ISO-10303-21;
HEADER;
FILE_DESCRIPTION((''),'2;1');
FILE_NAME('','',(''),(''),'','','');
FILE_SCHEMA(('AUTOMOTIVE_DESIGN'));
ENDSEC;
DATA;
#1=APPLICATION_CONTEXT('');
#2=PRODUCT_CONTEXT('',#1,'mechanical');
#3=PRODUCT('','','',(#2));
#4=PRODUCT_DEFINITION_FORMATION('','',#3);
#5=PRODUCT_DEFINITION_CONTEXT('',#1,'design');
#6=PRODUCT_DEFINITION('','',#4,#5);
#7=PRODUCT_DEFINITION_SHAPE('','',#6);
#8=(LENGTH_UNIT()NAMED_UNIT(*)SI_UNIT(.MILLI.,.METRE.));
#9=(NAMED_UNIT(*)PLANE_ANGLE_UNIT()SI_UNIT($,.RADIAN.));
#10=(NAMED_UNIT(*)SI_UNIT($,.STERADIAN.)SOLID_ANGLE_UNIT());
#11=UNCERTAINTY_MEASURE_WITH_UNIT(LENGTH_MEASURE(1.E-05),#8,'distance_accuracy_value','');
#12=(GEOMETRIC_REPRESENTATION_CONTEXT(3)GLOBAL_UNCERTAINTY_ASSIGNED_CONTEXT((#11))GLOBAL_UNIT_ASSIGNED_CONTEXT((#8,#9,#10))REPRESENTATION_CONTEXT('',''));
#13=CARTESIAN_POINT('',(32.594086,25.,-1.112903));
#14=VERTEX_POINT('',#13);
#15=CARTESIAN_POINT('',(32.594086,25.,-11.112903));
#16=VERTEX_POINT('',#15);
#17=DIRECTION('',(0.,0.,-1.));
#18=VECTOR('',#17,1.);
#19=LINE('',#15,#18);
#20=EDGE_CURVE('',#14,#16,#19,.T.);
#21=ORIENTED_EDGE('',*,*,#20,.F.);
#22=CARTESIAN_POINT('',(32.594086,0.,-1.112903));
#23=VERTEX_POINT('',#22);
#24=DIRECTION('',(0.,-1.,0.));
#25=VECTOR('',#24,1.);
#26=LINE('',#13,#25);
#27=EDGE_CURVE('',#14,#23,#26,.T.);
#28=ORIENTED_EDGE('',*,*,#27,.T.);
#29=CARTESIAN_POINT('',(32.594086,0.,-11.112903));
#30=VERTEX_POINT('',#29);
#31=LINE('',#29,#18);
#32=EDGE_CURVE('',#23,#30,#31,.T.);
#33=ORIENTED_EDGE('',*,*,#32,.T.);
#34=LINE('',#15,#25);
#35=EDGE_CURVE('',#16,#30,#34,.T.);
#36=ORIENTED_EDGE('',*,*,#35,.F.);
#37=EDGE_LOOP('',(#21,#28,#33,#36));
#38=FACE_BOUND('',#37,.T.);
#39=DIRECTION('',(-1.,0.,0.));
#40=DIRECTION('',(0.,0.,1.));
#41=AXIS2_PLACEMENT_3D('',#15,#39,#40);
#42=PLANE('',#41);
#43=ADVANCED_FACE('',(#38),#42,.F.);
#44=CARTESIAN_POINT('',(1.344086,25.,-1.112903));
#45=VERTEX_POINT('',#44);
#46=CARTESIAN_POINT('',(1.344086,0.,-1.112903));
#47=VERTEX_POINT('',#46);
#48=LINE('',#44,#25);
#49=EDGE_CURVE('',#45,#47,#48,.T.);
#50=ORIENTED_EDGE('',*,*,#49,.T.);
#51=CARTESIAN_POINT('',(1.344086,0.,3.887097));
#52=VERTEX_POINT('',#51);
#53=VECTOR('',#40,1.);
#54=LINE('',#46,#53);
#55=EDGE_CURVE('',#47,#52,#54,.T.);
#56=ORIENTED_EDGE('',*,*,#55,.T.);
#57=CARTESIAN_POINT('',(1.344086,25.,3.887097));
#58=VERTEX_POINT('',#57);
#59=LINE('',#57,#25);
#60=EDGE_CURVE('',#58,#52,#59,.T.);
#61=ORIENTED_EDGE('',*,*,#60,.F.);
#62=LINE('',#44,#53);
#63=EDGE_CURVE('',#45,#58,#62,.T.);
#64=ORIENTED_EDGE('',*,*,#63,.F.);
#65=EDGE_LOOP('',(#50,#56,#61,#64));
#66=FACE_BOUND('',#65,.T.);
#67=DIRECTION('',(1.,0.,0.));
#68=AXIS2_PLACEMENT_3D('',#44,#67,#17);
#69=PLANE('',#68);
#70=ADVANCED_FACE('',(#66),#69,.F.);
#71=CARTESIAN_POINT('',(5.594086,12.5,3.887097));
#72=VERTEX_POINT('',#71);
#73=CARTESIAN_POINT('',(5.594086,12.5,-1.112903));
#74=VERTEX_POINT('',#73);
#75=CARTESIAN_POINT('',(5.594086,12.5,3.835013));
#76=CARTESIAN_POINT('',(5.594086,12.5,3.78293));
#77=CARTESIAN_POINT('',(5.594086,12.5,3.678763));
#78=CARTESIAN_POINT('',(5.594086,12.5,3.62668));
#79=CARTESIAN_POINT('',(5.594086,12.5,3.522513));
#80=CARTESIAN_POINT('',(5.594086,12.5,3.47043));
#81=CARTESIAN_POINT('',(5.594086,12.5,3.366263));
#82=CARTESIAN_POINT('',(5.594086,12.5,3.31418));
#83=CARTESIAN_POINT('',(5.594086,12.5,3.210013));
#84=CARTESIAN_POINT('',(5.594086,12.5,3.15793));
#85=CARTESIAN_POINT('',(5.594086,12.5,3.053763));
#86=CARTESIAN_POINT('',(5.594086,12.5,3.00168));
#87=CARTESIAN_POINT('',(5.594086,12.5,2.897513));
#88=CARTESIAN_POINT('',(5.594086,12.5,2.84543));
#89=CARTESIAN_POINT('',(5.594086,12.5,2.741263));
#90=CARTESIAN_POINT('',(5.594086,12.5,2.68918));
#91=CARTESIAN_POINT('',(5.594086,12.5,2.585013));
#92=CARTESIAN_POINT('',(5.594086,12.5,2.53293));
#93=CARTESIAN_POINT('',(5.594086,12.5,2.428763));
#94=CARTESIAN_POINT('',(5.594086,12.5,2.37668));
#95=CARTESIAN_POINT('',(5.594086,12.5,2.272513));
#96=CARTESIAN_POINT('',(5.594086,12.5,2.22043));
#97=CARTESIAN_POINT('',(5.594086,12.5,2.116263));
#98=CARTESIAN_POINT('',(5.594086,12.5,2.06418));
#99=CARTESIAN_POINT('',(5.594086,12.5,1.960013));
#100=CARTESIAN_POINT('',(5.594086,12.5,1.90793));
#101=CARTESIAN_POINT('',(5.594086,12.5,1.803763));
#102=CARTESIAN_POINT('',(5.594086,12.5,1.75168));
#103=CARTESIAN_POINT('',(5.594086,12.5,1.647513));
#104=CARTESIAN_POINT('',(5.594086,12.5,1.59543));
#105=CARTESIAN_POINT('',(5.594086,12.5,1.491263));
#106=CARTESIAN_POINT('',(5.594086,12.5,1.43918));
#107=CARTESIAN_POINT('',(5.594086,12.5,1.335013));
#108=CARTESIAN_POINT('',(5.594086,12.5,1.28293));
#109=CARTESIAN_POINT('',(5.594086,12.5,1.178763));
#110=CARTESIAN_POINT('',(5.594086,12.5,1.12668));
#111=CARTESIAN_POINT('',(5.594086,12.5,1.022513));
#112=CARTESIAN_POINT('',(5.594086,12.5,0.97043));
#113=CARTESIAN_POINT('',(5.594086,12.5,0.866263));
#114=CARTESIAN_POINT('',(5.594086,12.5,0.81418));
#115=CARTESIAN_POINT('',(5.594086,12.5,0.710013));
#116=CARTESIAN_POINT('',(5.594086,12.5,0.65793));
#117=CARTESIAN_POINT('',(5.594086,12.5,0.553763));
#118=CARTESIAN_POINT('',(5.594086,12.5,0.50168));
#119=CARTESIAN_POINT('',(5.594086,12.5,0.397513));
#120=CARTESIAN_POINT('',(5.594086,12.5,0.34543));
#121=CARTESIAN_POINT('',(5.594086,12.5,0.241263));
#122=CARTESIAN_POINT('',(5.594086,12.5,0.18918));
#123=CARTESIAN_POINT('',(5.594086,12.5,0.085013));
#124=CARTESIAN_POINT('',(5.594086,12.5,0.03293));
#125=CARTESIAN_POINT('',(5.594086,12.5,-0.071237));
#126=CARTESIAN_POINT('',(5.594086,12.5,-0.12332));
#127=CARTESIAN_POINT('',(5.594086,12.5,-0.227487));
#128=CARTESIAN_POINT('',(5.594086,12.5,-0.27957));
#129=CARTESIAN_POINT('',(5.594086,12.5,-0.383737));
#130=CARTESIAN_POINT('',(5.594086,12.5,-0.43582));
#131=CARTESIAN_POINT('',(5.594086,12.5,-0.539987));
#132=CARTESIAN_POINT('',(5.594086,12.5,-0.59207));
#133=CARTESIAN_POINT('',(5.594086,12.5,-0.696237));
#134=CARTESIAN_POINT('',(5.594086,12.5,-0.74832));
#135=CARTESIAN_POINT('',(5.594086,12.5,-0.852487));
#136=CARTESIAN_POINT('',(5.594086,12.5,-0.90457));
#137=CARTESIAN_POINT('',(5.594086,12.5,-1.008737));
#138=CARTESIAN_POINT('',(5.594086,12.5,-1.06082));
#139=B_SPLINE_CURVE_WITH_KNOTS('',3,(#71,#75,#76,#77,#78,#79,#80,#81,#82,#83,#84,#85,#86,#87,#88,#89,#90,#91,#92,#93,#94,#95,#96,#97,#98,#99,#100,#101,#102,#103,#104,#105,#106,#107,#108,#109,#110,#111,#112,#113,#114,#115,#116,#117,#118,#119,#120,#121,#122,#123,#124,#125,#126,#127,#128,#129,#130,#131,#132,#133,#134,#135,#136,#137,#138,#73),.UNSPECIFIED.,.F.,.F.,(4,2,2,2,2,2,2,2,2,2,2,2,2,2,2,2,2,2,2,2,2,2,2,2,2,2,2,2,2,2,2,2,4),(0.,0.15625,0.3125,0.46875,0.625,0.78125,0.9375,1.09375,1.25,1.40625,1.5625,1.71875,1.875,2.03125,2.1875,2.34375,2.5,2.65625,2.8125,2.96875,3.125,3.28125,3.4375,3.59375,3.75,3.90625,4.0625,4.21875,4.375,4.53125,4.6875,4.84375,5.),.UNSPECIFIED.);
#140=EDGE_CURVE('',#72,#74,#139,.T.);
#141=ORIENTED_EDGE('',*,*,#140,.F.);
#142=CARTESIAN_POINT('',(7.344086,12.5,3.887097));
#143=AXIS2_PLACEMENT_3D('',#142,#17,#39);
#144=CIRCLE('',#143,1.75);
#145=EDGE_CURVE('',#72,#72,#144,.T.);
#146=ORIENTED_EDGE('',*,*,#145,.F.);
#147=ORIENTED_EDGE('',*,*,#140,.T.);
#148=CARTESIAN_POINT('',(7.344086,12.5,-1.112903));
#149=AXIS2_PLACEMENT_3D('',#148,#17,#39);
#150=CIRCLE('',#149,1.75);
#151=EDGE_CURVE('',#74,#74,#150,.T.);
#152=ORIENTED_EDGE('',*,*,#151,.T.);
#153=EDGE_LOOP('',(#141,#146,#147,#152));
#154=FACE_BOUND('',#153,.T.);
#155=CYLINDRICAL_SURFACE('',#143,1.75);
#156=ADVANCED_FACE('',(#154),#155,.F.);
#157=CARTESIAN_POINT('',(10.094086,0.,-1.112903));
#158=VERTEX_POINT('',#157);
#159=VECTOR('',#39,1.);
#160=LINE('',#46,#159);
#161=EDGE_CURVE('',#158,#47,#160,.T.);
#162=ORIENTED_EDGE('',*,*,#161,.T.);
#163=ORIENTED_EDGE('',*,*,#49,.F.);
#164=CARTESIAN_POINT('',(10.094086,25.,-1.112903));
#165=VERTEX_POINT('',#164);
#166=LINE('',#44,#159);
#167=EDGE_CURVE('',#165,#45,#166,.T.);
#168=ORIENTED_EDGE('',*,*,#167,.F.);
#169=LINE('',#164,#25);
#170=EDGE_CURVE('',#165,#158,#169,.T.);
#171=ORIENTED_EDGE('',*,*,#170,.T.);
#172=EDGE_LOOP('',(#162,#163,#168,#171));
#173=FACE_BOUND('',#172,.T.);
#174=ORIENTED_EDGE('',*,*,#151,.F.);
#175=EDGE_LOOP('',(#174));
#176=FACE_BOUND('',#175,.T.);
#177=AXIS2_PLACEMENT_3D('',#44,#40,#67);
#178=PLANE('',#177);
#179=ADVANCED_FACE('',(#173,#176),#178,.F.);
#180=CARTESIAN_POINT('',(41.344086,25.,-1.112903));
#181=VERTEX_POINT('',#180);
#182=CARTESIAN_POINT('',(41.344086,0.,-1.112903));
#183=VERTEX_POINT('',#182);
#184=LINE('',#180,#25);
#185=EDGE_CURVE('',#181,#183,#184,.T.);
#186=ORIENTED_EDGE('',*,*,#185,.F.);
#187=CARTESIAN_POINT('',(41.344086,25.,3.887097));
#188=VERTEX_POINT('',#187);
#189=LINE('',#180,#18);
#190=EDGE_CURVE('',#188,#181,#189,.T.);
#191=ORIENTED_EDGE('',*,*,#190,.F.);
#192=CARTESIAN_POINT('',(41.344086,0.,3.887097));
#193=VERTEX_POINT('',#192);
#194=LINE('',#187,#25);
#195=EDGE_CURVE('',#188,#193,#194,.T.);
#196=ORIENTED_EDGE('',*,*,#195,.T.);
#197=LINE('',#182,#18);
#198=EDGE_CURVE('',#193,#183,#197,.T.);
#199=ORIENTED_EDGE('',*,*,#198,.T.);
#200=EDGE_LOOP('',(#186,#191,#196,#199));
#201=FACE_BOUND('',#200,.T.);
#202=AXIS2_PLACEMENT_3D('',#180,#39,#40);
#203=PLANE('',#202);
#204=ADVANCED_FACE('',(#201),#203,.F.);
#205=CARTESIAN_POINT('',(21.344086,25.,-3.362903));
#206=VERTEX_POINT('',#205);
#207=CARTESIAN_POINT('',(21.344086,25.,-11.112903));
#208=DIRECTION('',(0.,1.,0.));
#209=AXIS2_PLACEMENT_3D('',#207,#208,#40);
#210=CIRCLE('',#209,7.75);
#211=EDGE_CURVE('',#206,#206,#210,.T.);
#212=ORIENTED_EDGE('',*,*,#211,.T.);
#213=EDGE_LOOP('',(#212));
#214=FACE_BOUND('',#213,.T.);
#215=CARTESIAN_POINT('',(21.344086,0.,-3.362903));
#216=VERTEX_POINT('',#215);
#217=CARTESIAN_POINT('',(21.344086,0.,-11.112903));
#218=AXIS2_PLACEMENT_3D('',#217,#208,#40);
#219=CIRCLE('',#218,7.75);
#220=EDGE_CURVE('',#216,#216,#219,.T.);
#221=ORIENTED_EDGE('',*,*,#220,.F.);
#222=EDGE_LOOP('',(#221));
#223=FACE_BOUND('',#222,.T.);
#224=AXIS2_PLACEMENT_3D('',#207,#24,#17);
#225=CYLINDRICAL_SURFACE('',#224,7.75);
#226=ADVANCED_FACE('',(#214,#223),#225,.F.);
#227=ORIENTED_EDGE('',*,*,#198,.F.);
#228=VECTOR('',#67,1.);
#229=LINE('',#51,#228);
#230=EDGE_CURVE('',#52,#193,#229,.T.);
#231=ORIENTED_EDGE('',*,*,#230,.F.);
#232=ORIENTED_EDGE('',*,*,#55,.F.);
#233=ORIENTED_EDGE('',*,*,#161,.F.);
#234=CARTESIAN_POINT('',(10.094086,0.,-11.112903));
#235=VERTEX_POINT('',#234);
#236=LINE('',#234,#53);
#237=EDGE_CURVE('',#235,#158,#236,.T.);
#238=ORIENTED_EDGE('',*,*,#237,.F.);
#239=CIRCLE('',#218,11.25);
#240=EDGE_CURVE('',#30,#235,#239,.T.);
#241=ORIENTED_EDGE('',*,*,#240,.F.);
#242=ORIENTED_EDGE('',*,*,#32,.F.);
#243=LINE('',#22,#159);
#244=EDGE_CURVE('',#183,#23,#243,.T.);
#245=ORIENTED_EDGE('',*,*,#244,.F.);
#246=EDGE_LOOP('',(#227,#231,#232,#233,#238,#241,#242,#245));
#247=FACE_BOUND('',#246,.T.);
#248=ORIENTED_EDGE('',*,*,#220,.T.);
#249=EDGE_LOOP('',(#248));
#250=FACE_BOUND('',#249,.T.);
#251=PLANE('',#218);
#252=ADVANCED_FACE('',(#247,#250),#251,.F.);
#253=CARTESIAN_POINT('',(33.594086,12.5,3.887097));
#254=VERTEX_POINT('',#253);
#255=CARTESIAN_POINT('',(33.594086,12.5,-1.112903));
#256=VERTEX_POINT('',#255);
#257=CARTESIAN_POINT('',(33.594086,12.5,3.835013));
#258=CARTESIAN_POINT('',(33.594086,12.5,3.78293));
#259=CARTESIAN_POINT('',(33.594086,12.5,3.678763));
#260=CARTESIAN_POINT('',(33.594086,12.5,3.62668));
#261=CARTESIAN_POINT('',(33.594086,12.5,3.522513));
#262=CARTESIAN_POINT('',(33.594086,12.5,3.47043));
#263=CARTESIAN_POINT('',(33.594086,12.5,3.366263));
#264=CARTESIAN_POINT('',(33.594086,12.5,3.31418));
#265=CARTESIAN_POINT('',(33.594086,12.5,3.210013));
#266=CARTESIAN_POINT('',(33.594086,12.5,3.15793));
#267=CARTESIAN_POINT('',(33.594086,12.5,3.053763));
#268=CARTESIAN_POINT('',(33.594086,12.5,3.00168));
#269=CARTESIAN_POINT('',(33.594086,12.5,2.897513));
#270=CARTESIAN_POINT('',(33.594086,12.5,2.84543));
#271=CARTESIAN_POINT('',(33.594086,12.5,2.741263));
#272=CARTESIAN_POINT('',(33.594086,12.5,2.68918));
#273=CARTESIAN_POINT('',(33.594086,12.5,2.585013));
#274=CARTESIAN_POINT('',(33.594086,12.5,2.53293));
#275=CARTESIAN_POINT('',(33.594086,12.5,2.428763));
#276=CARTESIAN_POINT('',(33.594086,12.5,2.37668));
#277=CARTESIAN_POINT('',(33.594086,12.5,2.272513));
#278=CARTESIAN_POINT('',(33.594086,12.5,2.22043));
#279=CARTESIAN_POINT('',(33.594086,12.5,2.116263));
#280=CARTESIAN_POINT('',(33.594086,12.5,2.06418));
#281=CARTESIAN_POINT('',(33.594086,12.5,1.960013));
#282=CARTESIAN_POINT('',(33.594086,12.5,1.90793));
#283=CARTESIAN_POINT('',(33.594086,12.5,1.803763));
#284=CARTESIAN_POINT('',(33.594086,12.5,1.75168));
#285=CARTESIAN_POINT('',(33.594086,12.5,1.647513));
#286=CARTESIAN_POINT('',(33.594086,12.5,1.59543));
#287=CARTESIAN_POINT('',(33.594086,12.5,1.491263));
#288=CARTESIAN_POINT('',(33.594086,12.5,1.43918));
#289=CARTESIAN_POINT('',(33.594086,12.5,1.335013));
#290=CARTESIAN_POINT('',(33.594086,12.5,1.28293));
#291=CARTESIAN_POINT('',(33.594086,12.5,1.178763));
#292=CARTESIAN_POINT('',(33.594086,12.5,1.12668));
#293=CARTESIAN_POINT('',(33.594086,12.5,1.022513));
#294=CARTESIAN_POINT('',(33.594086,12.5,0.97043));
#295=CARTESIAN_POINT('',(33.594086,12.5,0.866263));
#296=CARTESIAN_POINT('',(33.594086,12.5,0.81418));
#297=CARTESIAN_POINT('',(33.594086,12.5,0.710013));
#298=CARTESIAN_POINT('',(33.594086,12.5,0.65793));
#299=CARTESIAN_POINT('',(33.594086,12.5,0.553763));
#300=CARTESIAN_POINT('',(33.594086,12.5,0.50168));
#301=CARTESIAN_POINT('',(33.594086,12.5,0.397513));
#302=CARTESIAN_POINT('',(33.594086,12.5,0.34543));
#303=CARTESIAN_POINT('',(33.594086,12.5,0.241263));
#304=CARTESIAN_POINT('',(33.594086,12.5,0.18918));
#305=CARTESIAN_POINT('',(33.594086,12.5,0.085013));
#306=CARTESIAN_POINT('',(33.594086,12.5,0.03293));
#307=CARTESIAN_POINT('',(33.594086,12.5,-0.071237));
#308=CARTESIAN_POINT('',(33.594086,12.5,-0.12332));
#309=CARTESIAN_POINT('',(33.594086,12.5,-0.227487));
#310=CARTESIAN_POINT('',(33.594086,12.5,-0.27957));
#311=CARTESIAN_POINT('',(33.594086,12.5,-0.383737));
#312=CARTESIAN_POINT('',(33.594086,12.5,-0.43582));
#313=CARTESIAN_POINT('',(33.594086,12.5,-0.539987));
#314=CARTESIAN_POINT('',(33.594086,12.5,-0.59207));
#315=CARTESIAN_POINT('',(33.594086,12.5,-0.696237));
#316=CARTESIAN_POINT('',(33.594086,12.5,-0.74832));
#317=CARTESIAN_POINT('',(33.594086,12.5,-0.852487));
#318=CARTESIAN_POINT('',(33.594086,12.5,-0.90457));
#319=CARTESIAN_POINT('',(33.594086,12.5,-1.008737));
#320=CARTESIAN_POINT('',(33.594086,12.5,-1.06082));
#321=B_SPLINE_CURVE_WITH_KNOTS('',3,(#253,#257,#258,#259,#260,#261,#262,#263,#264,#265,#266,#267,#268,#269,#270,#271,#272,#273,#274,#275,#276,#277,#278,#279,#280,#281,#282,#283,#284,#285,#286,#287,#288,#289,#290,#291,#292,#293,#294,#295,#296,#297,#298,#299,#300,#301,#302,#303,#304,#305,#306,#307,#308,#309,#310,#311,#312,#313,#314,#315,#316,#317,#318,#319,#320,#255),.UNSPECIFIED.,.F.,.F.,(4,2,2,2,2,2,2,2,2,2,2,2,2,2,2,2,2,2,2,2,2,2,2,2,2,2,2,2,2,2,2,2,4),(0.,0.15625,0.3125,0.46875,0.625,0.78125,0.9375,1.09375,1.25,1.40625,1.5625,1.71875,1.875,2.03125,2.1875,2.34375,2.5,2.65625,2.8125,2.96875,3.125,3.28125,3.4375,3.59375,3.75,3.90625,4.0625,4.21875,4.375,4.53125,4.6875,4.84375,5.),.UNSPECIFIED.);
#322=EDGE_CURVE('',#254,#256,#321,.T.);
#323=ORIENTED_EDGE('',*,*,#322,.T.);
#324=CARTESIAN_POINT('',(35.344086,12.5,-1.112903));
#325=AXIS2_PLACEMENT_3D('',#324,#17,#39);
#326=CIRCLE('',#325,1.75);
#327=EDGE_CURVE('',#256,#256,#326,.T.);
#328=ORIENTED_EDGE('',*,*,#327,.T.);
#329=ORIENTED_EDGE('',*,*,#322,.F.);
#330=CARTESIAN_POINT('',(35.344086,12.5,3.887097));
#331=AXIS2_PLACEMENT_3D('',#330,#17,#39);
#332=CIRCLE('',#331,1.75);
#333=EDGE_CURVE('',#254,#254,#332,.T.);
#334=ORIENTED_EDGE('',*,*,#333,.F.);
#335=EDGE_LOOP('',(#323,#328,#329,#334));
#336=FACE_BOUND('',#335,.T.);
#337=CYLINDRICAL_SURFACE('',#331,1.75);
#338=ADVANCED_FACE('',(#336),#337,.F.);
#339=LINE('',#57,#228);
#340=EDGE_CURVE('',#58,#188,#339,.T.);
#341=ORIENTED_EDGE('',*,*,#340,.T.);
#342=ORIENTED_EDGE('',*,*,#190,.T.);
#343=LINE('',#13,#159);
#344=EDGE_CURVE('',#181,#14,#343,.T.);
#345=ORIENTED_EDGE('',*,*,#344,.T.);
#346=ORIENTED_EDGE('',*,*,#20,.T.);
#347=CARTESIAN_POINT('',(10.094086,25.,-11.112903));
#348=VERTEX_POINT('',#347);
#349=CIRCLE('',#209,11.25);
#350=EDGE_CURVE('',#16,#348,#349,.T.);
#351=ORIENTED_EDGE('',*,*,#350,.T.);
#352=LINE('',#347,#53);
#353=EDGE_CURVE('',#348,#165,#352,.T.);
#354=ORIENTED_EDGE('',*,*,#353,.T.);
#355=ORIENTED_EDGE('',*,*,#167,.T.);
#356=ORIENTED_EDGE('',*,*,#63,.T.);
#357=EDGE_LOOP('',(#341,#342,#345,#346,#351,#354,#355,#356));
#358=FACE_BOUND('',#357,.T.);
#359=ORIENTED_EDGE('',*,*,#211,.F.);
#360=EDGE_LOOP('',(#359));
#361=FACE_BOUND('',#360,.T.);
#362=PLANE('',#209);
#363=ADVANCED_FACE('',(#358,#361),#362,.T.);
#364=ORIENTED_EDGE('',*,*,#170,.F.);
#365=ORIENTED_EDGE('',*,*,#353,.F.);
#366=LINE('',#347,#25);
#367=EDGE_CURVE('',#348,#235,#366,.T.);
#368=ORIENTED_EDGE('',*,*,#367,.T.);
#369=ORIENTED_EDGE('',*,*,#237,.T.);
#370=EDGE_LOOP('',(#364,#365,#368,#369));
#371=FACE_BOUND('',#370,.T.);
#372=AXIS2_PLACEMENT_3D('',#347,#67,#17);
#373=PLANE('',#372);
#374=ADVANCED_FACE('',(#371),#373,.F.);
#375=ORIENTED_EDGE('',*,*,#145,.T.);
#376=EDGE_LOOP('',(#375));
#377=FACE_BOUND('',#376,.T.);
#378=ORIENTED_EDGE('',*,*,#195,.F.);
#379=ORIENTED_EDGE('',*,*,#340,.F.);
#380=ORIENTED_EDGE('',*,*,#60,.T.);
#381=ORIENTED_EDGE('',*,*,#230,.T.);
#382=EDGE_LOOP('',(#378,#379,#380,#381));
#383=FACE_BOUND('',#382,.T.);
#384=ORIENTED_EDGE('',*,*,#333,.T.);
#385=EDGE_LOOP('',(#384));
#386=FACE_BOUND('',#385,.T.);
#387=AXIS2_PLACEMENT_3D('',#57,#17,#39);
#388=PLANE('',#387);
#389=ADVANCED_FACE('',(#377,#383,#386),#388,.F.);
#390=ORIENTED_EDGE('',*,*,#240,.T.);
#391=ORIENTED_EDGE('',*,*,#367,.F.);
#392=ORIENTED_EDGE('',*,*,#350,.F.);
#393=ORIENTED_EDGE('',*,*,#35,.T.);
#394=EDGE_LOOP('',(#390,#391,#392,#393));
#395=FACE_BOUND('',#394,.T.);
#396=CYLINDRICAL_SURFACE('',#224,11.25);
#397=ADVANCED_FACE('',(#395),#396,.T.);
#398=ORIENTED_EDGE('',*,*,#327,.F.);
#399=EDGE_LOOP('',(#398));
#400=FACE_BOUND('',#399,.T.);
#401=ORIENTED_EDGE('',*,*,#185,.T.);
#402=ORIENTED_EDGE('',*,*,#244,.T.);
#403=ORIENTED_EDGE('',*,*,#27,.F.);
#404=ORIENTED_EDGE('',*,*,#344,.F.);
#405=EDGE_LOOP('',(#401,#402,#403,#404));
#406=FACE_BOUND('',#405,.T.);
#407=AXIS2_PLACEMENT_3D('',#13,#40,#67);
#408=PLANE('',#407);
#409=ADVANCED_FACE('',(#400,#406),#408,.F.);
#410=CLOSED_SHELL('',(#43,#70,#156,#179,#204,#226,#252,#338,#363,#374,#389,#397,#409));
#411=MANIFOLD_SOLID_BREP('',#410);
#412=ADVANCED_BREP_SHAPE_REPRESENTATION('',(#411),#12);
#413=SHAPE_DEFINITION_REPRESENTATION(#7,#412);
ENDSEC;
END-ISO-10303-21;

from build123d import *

# Parameters (mm, degrees)
SKETCH_1_R          = 7.75
EXTRUDE_1_DEPTH     = 25
SKETCH_2_R          = 1.75
CUT_EXTRUDE_1_DEPTH = 53.781587215


with BuildPart() as part:
    # 草图1 → 凸台-拉伸1 (new body)
    with BuildSketch(Plane(origin=(0, 0, 0), x_dir=(1, 0, 0), z_dir=(0, 1, 0))):
        with BuildLine():
            Line((1.344086022, 1.112903226), (10.094086022, 1.112903226))
            Line((10.094086022, 1.112903226), (10.094086022, 11.112903226))
            ThreePointArc((10.094086022, 11.112903226), (21.344086022, 22.362903226), (32.594086022, 11.112903226))
            Line((32.594086022, 11.112903226), (32.594086022, 1.112903226))
            Line((32.594086022, 1.112903226), (41.344086022, 1.112903226))
            Line((41.344086022, 1.112903226), (41.344086022, -3.887096774))
            Line((41.344086022, -3.887096774), (1.344086022, -3.887096774))
            Line((1.344086022, -3.887096774), (1.344086022, 1.112903226))
        make_face()
        with Locations(Location((21.344086022, 11.112903226, 0), (0, 0, 270))):
            Circle(SKETCH_1_R, mode=Mode.SUBTRACT)
    extrude(amount=EXTRUDE_1_DEPTH)

    # 草图2 → 切除-拉伸1 (cut, through all)
    with BuildSketch(Plane(origin=(0, 0, -1.112903226), x_dir=(-1, 0, 0), z_dir=(0, 0, -1))):
        with Locations((-35.344086022, 12.5)):
            Circle(SKETCH_2_R)
        with Locations((-7.344086022, 12.5)):
            Circle(SKETCH_2_R)
    extrude(amount=-CUT_EXTRUDE_1_DEPTH, mode=Mode.SUBTRACT)


solid = part.part
